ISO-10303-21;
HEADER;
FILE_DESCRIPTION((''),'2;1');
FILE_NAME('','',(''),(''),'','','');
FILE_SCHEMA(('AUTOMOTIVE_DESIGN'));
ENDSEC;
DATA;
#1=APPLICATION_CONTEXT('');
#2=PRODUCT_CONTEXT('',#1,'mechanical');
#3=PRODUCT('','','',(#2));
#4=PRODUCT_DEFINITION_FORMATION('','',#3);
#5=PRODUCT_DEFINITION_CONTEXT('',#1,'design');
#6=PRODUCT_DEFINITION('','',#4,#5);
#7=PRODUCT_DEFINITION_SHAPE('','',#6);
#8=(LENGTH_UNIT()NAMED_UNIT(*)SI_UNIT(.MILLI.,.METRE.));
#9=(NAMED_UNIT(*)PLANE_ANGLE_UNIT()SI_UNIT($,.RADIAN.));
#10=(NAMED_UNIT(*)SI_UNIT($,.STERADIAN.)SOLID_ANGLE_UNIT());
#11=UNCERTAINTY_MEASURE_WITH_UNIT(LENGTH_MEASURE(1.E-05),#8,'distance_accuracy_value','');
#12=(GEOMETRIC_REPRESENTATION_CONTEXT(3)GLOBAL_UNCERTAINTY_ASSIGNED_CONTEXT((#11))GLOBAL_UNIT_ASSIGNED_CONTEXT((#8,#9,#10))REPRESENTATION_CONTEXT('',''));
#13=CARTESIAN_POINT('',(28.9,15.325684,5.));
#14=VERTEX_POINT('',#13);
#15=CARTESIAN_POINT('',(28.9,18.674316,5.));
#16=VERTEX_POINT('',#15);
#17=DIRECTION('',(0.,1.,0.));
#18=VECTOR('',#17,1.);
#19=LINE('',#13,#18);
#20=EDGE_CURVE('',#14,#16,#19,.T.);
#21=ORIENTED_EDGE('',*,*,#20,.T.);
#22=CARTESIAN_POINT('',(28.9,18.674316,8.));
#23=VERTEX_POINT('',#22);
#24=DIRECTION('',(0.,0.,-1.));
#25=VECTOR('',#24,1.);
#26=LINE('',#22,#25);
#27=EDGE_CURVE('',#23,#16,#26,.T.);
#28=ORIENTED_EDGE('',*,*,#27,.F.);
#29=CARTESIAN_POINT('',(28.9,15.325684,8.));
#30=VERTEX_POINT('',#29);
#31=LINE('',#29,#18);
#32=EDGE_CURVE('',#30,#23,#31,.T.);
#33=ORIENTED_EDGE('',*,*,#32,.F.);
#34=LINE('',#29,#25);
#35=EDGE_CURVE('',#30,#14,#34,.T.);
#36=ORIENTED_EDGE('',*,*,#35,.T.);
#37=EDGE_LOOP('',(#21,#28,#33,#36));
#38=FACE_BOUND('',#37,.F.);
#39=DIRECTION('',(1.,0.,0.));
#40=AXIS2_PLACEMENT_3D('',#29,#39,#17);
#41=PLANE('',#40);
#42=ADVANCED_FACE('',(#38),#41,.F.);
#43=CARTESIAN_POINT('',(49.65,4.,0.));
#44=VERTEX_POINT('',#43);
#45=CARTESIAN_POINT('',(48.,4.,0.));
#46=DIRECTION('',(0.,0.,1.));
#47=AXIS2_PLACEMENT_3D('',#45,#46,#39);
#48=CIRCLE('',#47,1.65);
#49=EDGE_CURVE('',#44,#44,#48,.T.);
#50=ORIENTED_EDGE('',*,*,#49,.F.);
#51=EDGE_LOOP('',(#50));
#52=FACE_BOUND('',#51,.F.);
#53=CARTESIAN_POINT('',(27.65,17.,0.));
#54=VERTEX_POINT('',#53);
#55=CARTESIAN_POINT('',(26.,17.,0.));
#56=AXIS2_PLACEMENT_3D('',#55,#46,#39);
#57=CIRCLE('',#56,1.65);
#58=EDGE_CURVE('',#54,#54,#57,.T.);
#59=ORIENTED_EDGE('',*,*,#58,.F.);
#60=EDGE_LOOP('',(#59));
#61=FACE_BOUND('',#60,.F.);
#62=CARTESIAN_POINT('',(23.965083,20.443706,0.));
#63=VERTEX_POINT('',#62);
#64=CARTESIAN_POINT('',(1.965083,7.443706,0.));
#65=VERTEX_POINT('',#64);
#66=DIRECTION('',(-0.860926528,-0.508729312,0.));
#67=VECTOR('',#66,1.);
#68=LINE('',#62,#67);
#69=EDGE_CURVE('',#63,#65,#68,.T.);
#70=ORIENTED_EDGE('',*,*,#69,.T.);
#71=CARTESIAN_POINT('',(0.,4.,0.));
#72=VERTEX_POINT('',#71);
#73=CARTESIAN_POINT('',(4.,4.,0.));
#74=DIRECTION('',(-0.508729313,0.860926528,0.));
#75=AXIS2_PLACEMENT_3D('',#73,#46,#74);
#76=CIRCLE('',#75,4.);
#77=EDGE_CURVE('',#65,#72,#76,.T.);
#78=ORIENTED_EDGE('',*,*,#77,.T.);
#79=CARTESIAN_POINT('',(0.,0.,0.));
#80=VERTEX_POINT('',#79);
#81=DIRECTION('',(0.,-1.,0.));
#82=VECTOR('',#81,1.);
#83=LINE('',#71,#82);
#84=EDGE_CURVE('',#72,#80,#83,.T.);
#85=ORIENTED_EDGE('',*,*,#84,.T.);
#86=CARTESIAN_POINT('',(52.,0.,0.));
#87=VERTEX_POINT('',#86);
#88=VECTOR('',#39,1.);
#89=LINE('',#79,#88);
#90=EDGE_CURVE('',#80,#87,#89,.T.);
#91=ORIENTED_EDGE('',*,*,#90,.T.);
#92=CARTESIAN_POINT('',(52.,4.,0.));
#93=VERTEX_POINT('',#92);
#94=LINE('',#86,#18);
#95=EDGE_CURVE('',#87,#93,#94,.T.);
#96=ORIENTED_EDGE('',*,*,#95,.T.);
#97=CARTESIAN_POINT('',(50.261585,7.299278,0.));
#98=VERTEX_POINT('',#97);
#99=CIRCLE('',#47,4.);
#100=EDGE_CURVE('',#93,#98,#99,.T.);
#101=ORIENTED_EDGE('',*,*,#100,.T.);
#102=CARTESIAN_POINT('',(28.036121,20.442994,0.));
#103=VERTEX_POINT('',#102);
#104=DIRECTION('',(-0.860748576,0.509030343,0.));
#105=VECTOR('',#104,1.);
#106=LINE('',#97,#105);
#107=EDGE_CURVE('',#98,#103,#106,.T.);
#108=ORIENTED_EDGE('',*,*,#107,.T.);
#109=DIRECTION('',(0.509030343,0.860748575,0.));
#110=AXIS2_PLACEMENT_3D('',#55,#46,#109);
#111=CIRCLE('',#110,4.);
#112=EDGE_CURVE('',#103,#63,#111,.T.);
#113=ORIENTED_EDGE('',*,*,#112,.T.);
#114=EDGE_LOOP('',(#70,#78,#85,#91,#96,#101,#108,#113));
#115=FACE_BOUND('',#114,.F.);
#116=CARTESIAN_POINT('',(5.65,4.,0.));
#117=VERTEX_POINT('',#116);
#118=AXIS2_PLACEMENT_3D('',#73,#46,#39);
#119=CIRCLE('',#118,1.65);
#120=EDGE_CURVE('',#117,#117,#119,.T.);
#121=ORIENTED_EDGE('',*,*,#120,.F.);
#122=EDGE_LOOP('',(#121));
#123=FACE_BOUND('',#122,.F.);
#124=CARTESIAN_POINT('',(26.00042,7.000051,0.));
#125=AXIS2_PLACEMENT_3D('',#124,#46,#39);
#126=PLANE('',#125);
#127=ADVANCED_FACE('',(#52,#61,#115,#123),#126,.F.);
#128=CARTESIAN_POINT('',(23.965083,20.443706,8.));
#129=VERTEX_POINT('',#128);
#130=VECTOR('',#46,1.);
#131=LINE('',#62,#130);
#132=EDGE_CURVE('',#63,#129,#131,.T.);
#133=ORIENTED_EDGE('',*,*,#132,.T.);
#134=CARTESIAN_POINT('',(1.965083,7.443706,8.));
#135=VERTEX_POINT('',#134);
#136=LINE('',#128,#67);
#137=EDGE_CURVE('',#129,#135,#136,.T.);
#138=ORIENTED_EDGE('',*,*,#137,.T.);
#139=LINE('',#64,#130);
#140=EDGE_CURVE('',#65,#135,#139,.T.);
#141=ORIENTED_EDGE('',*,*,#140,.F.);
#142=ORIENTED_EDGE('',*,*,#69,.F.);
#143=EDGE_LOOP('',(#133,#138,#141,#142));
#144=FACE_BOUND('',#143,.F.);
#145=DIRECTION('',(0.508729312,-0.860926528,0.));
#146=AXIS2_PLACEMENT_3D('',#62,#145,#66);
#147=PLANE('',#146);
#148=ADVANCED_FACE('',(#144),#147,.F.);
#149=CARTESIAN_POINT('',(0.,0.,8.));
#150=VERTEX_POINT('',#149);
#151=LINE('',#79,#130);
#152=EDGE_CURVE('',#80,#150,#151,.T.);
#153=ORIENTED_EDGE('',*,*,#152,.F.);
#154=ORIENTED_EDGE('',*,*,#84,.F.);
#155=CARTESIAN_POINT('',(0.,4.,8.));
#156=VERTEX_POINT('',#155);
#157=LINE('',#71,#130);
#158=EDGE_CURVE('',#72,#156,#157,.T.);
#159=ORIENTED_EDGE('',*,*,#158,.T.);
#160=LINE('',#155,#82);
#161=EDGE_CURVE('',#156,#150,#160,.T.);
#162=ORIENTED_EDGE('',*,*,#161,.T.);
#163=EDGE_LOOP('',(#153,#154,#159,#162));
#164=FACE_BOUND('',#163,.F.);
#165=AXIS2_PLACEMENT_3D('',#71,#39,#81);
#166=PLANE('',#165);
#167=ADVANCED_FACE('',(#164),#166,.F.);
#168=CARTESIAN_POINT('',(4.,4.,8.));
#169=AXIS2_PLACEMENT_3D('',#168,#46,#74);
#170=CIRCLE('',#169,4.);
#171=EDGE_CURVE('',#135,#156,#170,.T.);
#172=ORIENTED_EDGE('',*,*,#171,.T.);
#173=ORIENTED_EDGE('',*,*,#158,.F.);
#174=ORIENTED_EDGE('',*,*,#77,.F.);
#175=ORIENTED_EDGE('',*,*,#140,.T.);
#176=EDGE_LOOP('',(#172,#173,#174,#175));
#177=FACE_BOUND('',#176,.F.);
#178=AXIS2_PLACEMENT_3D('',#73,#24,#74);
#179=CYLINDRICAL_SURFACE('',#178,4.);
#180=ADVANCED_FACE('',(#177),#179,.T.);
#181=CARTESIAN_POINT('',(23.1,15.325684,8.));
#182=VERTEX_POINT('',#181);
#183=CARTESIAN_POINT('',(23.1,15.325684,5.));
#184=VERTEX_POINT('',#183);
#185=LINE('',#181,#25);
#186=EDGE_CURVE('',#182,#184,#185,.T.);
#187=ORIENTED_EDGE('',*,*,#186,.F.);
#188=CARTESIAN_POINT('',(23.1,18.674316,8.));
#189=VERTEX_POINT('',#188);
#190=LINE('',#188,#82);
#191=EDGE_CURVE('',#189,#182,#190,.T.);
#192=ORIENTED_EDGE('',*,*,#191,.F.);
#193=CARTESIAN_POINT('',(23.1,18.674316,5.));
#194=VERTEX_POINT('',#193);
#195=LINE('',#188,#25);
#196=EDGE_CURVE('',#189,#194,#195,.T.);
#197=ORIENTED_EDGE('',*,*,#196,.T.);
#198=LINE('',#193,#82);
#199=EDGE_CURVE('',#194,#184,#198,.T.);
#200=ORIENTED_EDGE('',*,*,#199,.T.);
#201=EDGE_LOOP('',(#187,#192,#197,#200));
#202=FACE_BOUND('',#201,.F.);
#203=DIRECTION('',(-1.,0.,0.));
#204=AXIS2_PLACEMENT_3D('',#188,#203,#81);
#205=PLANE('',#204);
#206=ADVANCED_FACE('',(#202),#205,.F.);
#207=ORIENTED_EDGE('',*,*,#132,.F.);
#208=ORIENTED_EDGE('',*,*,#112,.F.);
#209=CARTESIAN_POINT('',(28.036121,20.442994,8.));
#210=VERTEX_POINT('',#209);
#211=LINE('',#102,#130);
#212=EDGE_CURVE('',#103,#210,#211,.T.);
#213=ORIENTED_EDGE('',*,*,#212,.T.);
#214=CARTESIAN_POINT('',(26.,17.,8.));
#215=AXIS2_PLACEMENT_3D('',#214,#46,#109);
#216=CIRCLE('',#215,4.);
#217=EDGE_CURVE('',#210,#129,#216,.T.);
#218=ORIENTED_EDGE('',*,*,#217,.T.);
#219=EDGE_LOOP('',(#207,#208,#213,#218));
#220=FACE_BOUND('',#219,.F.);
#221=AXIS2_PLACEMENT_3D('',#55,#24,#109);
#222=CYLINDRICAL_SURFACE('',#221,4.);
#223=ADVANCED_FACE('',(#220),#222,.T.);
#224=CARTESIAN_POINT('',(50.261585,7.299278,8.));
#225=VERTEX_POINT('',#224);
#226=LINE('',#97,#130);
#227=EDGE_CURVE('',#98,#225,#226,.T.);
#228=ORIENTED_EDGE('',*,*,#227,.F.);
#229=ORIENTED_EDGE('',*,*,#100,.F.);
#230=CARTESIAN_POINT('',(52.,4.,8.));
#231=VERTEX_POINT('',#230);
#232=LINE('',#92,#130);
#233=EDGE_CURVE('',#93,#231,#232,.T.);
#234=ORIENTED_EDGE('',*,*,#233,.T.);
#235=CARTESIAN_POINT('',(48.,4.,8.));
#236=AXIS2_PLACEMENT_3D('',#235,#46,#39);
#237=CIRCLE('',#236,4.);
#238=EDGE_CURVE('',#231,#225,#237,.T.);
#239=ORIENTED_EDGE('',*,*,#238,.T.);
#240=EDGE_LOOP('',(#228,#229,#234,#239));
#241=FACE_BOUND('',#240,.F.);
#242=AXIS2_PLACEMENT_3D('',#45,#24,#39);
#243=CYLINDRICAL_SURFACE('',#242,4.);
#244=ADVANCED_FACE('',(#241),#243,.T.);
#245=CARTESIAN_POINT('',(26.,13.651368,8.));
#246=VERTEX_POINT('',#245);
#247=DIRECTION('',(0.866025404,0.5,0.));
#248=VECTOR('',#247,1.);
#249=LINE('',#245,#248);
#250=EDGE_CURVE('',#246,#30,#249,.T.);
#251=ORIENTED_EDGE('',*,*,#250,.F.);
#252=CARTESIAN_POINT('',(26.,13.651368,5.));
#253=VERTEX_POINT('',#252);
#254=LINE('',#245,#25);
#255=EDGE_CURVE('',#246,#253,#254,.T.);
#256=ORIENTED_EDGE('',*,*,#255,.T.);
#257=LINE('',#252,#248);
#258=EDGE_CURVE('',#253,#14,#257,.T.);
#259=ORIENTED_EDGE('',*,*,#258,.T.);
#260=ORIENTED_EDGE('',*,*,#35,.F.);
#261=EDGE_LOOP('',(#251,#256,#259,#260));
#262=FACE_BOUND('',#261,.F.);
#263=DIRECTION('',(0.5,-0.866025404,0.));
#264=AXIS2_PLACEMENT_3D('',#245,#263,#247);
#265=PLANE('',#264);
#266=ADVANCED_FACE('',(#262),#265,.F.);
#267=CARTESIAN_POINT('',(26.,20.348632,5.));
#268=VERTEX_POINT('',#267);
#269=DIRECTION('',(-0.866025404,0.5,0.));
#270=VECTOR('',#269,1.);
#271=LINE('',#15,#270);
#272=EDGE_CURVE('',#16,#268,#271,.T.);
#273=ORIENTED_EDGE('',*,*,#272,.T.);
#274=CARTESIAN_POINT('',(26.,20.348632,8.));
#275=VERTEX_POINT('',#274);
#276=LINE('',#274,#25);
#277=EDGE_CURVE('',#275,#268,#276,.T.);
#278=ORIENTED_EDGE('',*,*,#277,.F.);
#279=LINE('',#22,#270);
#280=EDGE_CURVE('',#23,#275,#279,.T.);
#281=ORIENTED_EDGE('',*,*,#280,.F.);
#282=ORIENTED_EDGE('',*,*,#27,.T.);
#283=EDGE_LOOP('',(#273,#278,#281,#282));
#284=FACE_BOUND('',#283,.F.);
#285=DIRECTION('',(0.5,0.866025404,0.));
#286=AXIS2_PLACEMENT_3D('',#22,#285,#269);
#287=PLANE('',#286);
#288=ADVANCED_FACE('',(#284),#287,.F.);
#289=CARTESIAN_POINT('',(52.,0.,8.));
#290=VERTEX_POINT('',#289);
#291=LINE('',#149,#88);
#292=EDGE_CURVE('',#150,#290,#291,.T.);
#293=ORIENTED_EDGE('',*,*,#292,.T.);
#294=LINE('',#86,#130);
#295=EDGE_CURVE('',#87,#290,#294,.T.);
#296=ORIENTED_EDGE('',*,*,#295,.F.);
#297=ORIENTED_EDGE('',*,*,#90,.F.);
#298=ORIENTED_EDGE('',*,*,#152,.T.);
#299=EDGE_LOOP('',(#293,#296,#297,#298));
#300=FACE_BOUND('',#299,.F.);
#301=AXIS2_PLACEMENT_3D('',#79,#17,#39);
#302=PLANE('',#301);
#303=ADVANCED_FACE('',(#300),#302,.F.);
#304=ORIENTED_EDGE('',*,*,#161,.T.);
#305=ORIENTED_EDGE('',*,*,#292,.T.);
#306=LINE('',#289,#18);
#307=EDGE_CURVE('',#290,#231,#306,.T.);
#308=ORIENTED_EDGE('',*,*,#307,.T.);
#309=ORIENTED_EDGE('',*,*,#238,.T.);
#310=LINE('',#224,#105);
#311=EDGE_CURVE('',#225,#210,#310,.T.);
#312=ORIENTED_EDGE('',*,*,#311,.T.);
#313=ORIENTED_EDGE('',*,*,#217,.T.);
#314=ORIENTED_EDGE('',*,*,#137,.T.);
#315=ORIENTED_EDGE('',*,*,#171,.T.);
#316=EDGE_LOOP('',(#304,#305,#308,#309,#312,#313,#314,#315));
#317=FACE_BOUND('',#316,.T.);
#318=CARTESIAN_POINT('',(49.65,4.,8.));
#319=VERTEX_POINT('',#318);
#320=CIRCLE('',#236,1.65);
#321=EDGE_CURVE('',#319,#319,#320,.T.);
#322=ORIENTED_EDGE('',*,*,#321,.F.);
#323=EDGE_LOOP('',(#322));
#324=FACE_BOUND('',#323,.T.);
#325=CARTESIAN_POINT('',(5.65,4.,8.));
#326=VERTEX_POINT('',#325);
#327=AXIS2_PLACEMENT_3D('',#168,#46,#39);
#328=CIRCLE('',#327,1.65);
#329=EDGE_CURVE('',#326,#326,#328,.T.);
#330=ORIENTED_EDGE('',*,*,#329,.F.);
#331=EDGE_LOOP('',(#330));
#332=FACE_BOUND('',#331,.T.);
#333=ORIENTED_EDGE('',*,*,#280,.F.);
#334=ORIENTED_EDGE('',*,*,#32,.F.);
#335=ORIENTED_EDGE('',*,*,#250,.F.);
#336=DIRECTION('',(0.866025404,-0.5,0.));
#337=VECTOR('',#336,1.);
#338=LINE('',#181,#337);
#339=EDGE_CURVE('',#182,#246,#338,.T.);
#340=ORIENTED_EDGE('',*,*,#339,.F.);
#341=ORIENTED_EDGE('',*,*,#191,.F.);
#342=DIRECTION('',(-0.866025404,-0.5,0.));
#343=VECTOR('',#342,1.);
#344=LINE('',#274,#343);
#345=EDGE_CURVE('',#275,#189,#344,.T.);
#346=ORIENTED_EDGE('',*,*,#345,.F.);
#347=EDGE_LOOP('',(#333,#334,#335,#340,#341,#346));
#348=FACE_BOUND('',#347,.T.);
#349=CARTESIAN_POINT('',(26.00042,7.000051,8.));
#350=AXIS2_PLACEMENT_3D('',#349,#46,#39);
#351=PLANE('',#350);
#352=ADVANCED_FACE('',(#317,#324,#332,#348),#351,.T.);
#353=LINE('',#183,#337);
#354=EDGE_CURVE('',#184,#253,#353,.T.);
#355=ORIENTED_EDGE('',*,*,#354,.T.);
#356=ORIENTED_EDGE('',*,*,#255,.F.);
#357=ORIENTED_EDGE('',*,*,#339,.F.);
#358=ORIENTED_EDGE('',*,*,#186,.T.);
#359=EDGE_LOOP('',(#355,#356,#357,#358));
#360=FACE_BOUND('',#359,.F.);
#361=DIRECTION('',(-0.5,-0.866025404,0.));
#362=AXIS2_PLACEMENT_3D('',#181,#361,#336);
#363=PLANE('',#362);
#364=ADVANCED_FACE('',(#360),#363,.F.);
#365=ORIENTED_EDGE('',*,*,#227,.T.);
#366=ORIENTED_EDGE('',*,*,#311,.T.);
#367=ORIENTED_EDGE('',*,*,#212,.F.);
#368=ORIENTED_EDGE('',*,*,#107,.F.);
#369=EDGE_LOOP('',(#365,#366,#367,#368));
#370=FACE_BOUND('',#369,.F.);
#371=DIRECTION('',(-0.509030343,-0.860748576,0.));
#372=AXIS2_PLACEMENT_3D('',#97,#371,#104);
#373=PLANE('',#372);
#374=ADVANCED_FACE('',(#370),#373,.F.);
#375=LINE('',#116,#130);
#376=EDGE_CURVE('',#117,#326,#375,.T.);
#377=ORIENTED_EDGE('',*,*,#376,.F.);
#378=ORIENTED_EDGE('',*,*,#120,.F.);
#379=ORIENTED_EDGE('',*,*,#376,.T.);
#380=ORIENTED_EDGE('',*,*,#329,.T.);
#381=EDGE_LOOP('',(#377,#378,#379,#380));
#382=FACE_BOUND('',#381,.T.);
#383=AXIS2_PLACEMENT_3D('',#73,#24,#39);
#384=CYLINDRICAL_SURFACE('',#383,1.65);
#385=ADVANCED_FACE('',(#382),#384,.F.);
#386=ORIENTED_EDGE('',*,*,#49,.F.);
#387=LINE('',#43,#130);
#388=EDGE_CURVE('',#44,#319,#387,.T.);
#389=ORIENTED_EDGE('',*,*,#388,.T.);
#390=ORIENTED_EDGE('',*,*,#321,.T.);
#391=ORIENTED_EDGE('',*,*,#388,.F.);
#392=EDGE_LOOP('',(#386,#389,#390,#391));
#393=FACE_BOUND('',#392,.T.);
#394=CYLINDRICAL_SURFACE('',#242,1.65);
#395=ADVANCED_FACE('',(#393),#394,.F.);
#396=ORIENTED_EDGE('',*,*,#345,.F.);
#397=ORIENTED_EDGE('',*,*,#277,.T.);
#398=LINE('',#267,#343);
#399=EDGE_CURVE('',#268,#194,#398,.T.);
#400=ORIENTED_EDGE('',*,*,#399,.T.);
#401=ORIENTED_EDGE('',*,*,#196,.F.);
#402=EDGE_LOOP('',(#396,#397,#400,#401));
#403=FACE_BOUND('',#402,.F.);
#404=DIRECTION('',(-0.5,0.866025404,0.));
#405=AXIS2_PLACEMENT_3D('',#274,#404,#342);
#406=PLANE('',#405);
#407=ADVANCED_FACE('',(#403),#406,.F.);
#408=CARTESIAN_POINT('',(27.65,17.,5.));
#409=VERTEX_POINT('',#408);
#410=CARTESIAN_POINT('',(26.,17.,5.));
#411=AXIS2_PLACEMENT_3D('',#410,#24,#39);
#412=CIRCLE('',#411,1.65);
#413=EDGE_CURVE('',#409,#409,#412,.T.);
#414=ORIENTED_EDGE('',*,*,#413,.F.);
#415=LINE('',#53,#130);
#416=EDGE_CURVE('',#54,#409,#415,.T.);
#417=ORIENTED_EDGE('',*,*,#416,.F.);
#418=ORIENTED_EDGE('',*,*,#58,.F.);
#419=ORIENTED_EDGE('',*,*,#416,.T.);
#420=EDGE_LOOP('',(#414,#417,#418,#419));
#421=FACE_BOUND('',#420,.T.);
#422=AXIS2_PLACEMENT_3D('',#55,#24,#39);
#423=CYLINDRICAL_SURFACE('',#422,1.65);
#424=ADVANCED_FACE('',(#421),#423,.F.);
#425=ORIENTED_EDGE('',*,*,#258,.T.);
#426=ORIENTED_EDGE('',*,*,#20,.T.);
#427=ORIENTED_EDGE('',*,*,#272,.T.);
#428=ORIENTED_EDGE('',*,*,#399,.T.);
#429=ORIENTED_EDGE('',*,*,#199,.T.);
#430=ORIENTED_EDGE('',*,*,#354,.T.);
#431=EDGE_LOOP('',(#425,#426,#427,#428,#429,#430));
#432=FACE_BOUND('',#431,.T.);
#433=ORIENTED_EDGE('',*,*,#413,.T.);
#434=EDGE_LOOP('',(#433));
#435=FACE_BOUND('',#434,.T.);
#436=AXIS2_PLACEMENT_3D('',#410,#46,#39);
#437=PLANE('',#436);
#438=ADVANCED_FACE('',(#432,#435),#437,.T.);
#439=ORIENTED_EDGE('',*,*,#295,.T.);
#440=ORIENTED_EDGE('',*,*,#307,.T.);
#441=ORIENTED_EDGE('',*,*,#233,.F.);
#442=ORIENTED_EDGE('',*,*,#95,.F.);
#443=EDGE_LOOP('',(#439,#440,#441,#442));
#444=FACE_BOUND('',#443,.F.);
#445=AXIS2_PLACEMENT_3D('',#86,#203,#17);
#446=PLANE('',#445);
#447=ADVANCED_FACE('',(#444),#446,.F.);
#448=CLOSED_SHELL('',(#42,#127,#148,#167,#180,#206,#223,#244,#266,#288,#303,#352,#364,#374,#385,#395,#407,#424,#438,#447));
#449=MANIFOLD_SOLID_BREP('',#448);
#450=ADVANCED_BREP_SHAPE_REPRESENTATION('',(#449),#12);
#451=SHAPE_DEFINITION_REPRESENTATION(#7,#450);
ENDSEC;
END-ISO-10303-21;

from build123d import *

# Parameters (mm, degrees)
SKETCH1_R           = 1.65
BOSS_EXTRUDE1_DEPTH = 8
CUT_EXTRUDE1_DEPTH  = 3


with BuildPart() as part:
    # Sketch1 → Boss-Extrude1 (new body)
    with BuildSketch(Plane.XY):
        with BuildLine():
            Line((0, 0), (52, 0))
            Line((52, 0), (52, 4))
            ThreePointArc((52, 4), (51.538809184, 5.864625849), (50.261585222, 7.29927754))
            Line((50.261585222, 7.29927754), (28.036121371, 20.442994302))
            ThreePointArc((28.036121371, 20.442994302), (26.00069939, 20.999999939), (23.965082751, 20.443706113))
            Line((23.965082751, 20.443706113), (1.965082751, 7.443706113))
            ThreePointArc((1.965082751, 7.443706113), (0.525833266, 5.982464502), (0, 4))
            Line((0, 4), (0, 0))
        make_face()
        with Locations((26, 17)):
            Circle(SKETCH1_R, mode=Mode.SUBTRACT)
        with Locations((4, 4)):
            Circle(SKETCH1_R, mode=Mode.SUBTRACT)
        with Locations((48, 4)):
            Circle(SKETCH1_R, mode=Mode.SUBTRACT)
    extrude(amount=BOSS_EXTRUDE1_DEPTH)

    # Sketch2 → Cut-Extrude1 (cut)
    with BuildSketch(Plane.XY.offset(8)):
        Polygon((26, 13.651368439), (28.9, 15.325684219), (28.9, 18.674315781), (26, 20.348631561), (23.1, 18.674315781), (23.1, 15.325684219), align=None)
    extrude(amount=-CUT_EXTRUDE1_DEPTH, mode=Mode.SUBTRACT)


solid = part.part
